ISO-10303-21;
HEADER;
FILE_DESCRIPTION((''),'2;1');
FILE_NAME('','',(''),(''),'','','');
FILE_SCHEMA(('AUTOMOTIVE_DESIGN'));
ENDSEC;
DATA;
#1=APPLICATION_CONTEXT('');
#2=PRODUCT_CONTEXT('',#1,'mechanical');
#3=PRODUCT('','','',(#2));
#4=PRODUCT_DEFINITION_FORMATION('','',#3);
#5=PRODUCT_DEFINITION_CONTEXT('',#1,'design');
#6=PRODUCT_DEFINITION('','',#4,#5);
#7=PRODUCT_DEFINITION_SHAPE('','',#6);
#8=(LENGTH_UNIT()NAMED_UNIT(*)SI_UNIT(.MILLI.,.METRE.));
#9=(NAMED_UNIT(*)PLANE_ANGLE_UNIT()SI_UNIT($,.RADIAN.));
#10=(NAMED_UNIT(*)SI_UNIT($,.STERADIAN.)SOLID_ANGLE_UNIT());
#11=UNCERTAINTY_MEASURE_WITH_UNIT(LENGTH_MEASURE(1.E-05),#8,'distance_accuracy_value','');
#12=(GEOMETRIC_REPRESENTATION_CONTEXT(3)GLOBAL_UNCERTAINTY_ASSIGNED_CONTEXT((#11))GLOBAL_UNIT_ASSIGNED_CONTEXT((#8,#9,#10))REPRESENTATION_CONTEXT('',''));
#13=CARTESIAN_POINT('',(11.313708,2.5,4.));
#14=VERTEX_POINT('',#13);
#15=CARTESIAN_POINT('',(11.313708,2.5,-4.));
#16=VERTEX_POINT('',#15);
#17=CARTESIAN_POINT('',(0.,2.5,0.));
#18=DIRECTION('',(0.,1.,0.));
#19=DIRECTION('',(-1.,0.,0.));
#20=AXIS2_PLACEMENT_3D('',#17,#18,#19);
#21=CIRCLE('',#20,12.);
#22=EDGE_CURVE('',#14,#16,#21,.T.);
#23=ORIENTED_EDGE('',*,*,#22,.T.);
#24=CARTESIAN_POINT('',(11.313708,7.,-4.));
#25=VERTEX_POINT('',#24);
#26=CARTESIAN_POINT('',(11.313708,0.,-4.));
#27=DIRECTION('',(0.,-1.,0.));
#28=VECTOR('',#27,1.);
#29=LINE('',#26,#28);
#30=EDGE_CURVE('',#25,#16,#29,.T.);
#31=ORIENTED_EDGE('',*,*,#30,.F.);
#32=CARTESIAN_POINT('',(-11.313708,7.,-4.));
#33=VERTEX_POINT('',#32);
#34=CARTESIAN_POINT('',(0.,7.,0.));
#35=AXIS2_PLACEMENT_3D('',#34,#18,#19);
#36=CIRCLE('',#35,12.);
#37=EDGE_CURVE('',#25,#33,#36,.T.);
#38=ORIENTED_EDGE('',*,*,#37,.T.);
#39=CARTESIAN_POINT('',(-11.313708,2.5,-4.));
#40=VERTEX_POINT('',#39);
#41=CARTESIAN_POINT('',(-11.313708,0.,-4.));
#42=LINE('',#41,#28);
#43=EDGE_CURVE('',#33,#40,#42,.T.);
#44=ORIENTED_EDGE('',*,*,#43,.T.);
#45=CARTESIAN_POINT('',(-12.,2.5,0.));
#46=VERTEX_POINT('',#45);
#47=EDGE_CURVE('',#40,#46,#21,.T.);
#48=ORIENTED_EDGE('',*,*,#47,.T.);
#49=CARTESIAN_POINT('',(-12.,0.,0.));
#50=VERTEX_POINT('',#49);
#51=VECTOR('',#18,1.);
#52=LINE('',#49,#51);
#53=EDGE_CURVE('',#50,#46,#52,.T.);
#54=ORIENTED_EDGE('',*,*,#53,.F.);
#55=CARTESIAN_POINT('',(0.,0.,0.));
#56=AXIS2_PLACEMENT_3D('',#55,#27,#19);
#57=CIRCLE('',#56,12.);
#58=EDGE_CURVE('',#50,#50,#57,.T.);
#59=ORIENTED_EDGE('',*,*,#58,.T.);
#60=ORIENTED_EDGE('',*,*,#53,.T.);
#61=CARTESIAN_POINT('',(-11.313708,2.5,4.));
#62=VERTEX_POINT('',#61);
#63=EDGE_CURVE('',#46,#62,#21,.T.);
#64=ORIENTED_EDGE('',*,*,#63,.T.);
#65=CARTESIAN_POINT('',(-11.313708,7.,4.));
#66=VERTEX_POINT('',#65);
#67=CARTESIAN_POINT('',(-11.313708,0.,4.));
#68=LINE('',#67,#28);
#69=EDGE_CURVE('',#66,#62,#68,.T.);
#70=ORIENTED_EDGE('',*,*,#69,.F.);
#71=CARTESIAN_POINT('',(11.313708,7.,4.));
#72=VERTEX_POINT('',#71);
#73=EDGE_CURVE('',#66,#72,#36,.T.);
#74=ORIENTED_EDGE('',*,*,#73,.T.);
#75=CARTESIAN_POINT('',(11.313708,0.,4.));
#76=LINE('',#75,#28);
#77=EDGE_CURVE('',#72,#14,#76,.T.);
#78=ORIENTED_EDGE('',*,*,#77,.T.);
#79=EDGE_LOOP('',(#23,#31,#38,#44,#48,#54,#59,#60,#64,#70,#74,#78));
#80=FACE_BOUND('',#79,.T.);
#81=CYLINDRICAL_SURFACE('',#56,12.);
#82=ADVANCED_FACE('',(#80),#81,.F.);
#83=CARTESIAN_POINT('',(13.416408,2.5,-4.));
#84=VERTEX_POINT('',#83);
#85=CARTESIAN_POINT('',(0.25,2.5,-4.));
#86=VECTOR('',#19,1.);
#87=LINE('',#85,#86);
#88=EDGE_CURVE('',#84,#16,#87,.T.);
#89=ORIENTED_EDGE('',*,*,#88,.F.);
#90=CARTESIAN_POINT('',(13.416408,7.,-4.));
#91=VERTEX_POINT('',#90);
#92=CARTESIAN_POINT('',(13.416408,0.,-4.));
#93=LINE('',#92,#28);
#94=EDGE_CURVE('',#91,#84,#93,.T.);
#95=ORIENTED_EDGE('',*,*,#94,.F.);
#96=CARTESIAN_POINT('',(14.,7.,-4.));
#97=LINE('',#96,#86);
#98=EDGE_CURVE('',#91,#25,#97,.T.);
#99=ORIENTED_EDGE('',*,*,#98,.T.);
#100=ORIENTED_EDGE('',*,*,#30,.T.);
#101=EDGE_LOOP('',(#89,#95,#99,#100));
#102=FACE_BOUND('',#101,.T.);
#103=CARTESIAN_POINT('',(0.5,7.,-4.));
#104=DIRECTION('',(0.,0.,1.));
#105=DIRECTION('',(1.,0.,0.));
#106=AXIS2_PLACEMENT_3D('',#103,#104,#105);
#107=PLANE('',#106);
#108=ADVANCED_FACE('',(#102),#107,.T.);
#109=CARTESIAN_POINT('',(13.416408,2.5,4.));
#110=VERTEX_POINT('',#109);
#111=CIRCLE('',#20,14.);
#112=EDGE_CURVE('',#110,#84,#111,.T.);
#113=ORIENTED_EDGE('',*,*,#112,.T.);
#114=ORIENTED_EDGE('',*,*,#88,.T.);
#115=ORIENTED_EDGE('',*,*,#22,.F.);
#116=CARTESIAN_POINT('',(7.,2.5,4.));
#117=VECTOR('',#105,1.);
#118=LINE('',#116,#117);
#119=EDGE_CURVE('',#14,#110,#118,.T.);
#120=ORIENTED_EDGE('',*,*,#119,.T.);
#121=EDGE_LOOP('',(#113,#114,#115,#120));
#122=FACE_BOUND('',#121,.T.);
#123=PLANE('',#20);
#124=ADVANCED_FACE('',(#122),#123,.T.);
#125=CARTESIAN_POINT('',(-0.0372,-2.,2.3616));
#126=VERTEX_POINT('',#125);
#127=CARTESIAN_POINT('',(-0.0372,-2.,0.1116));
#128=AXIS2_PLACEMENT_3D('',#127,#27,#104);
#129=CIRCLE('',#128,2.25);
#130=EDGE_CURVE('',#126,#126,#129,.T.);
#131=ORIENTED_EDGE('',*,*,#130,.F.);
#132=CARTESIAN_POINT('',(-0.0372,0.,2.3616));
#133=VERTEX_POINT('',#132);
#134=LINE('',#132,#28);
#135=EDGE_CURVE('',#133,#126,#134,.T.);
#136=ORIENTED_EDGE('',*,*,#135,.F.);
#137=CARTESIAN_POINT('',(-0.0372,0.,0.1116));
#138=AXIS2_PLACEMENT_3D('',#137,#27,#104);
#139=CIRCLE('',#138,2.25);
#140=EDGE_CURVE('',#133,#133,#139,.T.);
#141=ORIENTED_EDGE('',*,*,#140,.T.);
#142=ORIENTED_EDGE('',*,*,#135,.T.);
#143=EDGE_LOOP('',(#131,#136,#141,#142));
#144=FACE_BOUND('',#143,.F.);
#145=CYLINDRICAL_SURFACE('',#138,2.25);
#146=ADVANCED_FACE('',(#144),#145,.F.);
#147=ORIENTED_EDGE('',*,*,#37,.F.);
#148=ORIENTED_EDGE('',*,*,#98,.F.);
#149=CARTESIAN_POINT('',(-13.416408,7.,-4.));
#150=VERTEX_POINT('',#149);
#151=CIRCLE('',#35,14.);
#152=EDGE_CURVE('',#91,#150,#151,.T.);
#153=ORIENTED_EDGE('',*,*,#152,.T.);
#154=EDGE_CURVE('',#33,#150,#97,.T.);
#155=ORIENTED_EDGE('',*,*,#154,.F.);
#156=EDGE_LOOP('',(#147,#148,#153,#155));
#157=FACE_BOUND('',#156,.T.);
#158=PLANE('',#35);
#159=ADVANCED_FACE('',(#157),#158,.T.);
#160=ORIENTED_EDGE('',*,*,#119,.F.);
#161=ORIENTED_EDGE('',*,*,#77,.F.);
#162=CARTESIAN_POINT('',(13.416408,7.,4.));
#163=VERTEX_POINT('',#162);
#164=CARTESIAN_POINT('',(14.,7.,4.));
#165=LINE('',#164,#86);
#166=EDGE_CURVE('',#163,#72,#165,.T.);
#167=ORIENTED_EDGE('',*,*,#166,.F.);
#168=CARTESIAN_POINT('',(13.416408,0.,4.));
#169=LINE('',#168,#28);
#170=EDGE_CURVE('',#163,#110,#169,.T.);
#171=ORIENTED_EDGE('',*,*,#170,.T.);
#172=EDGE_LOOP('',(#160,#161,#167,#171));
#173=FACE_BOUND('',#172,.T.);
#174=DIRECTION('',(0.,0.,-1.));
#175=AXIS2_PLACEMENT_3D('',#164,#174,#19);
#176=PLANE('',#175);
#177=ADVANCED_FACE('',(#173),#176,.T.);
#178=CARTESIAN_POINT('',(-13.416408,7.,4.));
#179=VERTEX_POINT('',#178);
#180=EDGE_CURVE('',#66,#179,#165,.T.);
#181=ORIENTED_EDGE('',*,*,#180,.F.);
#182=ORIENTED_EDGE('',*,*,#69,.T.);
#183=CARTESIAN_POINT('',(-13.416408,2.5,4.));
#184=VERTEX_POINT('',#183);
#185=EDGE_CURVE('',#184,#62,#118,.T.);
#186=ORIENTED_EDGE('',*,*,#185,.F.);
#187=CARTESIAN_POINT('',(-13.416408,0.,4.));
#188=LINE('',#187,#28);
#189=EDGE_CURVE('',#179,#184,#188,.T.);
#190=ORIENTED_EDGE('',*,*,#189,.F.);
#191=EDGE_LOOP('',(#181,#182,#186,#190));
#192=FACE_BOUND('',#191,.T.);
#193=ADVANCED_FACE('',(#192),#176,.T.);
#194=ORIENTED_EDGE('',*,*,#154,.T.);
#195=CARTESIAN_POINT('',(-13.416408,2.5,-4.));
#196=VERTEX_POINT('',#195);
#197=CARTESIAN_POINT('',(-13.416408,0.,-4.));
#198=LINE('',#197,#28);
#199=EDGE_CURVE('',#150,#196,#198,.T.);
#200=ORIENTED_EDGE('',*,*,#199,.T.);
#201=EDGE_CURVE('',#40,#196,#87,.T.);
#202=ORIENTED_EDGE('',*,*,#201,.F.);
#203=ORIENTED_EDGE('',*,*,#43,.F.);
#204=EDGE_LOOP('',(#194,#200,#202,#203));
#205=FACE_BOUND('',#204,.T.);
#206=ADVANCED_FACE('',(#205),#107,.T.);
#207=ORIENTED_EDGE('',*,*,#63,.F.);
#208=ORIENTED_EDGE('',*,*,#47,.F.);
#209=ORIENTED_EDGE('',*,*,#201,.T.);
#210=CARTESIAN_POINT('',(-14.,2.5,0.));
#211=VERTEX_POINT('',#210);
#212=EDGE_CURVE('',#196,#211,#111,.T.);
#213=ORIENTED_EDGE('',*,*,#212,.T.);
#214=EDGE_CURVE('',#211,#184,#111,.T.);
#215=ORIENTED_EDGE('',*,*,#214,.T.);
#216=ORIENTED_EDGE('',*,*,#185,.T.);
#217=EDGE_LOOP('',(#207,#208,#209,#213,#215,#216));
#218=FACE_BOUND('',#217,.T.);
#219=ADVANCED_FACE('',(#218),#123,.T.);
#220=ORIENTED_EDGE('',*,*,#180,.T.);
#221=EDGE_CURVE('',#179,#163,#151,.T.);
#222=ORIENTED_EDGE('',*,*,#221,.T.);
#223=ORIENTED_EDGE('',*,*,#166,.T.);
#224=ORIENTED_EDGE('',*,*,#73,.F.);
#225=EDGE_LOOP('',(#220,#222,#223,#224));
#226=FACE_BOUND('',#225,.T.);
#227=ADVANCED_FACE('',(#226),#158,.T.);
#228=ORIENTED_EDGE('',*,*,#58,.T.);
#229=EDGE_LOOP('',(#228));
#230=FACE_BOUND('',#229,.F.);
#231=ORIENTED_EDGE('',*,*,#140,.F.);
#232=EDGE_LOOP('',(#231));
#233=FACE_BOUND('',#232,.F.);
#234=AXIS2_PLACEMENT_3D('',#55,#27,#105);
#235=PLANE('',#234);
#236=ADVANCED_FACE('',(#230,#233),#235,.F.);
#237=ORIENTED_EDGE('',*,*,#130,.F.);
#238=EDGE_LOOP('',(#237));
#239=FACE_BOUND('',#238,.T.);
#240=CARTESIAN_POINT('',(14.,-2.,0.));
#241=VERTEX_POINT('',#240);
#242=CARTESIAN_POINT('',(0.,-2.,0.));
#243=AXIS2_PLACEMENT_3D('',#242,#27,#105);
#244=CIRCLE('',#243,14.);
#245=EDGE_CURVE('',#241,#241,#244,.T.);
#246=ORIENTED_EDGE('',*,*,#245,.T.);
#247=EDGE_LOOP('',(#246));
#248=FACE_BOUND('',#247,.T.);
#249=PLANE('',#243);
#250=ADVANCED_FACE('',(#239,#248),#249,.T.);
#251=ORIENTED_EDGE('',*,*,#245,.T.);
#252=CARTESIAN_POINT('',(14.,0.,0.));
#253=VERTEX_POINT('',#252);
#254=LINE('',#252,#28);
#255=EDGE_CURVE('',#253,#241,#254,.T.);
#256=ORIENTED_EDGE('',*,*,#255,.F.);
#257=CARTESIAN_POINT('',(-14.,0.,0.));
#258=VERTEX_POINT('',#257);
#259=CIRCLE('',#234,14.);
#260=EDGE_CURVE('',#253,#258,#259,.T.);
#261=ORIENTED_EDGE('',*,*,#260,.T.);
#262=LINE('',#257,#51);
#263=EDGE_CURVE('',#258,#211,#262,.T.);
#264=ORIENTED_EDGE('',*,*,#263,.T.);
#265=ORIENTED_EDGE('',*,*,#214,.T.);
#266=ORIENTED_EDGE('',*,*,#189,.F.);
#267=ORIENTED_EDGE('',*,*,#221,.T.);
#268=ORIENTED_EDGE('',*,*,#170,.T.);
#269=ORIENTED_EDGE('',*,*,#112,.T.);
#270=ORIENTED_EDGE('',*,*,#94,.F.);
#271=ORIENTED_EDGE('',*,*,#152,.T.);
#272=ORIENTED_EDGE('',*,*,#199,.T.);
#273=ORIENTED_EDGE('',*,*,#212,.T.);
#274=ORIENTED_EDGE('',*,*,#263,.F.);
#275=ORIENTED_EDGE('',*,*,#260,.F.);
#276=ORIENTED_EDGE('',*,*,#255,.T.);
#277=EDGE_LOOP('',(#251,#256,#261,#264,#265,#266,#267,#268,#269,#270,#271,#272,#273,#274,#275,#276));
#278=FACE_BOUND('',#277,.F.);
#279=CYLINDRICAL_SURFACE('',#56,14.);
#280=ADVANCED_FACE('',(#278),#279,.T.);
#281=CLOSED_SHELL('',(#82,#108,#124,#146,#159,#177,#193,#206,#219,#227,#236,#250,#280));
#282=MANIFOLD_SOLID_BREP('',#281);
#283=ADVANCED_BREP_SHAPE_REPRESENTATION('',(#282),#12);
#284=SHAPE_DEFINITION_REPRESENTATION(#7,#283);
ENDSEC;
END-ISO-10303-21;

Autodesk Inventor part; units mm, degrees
ref_plane "YZ Plane" through (0, 0, 0) normal (1, 0, 0) x (0, 1, 0)
ref_plane "XZ Plane" through (0, 0, 0) normal (0, 1, 0) x (-1, 0, 0)
ref_plane "XY Plane" through (0, 0, 0) normal (0, 0, 1) x (1, 0, 0)
sketch "Sketch1" plane through (0, 0, 0) normal (0, 1, 0) x (-1, 0, 0)
  circle A0 centre (0, 0) radius 14
  circle A1 centre (0, 0) radius 12
  dimension "d0" = 28
  dimension "d1" = 24
extrude "Extrusion1" add sketch "Sketch1" along normal blind 7
sketch "Sketch2" plane through (0, 7, 0) normal (0, 1, 0) x (1, 0, 0)
  line L0 (14, -4) -> (-14, -4)
  line L1 (-14, -4) -> (-14, 4)
  line L2 (-14, 4) -> (14, 4)
  line L3 (14, 4) -> (14, -4)
  line L4 (14, -4) -> (-14, 4) construction
  line L5 (-14, -4) -> (14, 4) construction
  line L6 (-0.5, 5) -> (0.5, 5)
  line L7 (0.5, 5) -> (0.5, -5)
  line L8 (0.5, -5) -> (-0.5, -5)
  line L9 (-0.5, -5) -> (-0.5, 5)
  line L10 (-0.5, 5) -> (0.5, -5) construction
  line L11 (0.5, 5) -> (-0.5, -5) construction
  point P0 (0, 0)
  dimension "d4" = 28
  dimension "d5" = 8
extrude "Extrusion2" cut sketch "Sketch2" against normal blind 8 contours L0 L7 L2 L3 | L0 L9 L2 L7 | L0 L1 L2 L9
sketch "Sketch3" plane through (0, 0, 0) normal (0, -1, 0) x (1, 0, 0)
  circle A0 centre (0, 0) radius 14
  dimension "d17" = 28
extrude "Extrusion3" add sketch "Sketch3" along normal blind 2
sketch "Sketch5" plane through (0, 0, 0) normal (0, 1, 0) x (1, 0, 0)
  point P0 (0, 0)
  point P1 (-0.0372, -0.1116)
hole "Hole2" at (-0.0372, 0, 0.1116) direction (0, -1, 0) diameter 4.5 end through all clearance for "Hex Head Machine Screw" size "M4" standard "Ansi Metric M Profile"
extrude "Extrusion4" add sketch "Sketch1" along normal blind 2.5
properties part number "magneticslotV1"
